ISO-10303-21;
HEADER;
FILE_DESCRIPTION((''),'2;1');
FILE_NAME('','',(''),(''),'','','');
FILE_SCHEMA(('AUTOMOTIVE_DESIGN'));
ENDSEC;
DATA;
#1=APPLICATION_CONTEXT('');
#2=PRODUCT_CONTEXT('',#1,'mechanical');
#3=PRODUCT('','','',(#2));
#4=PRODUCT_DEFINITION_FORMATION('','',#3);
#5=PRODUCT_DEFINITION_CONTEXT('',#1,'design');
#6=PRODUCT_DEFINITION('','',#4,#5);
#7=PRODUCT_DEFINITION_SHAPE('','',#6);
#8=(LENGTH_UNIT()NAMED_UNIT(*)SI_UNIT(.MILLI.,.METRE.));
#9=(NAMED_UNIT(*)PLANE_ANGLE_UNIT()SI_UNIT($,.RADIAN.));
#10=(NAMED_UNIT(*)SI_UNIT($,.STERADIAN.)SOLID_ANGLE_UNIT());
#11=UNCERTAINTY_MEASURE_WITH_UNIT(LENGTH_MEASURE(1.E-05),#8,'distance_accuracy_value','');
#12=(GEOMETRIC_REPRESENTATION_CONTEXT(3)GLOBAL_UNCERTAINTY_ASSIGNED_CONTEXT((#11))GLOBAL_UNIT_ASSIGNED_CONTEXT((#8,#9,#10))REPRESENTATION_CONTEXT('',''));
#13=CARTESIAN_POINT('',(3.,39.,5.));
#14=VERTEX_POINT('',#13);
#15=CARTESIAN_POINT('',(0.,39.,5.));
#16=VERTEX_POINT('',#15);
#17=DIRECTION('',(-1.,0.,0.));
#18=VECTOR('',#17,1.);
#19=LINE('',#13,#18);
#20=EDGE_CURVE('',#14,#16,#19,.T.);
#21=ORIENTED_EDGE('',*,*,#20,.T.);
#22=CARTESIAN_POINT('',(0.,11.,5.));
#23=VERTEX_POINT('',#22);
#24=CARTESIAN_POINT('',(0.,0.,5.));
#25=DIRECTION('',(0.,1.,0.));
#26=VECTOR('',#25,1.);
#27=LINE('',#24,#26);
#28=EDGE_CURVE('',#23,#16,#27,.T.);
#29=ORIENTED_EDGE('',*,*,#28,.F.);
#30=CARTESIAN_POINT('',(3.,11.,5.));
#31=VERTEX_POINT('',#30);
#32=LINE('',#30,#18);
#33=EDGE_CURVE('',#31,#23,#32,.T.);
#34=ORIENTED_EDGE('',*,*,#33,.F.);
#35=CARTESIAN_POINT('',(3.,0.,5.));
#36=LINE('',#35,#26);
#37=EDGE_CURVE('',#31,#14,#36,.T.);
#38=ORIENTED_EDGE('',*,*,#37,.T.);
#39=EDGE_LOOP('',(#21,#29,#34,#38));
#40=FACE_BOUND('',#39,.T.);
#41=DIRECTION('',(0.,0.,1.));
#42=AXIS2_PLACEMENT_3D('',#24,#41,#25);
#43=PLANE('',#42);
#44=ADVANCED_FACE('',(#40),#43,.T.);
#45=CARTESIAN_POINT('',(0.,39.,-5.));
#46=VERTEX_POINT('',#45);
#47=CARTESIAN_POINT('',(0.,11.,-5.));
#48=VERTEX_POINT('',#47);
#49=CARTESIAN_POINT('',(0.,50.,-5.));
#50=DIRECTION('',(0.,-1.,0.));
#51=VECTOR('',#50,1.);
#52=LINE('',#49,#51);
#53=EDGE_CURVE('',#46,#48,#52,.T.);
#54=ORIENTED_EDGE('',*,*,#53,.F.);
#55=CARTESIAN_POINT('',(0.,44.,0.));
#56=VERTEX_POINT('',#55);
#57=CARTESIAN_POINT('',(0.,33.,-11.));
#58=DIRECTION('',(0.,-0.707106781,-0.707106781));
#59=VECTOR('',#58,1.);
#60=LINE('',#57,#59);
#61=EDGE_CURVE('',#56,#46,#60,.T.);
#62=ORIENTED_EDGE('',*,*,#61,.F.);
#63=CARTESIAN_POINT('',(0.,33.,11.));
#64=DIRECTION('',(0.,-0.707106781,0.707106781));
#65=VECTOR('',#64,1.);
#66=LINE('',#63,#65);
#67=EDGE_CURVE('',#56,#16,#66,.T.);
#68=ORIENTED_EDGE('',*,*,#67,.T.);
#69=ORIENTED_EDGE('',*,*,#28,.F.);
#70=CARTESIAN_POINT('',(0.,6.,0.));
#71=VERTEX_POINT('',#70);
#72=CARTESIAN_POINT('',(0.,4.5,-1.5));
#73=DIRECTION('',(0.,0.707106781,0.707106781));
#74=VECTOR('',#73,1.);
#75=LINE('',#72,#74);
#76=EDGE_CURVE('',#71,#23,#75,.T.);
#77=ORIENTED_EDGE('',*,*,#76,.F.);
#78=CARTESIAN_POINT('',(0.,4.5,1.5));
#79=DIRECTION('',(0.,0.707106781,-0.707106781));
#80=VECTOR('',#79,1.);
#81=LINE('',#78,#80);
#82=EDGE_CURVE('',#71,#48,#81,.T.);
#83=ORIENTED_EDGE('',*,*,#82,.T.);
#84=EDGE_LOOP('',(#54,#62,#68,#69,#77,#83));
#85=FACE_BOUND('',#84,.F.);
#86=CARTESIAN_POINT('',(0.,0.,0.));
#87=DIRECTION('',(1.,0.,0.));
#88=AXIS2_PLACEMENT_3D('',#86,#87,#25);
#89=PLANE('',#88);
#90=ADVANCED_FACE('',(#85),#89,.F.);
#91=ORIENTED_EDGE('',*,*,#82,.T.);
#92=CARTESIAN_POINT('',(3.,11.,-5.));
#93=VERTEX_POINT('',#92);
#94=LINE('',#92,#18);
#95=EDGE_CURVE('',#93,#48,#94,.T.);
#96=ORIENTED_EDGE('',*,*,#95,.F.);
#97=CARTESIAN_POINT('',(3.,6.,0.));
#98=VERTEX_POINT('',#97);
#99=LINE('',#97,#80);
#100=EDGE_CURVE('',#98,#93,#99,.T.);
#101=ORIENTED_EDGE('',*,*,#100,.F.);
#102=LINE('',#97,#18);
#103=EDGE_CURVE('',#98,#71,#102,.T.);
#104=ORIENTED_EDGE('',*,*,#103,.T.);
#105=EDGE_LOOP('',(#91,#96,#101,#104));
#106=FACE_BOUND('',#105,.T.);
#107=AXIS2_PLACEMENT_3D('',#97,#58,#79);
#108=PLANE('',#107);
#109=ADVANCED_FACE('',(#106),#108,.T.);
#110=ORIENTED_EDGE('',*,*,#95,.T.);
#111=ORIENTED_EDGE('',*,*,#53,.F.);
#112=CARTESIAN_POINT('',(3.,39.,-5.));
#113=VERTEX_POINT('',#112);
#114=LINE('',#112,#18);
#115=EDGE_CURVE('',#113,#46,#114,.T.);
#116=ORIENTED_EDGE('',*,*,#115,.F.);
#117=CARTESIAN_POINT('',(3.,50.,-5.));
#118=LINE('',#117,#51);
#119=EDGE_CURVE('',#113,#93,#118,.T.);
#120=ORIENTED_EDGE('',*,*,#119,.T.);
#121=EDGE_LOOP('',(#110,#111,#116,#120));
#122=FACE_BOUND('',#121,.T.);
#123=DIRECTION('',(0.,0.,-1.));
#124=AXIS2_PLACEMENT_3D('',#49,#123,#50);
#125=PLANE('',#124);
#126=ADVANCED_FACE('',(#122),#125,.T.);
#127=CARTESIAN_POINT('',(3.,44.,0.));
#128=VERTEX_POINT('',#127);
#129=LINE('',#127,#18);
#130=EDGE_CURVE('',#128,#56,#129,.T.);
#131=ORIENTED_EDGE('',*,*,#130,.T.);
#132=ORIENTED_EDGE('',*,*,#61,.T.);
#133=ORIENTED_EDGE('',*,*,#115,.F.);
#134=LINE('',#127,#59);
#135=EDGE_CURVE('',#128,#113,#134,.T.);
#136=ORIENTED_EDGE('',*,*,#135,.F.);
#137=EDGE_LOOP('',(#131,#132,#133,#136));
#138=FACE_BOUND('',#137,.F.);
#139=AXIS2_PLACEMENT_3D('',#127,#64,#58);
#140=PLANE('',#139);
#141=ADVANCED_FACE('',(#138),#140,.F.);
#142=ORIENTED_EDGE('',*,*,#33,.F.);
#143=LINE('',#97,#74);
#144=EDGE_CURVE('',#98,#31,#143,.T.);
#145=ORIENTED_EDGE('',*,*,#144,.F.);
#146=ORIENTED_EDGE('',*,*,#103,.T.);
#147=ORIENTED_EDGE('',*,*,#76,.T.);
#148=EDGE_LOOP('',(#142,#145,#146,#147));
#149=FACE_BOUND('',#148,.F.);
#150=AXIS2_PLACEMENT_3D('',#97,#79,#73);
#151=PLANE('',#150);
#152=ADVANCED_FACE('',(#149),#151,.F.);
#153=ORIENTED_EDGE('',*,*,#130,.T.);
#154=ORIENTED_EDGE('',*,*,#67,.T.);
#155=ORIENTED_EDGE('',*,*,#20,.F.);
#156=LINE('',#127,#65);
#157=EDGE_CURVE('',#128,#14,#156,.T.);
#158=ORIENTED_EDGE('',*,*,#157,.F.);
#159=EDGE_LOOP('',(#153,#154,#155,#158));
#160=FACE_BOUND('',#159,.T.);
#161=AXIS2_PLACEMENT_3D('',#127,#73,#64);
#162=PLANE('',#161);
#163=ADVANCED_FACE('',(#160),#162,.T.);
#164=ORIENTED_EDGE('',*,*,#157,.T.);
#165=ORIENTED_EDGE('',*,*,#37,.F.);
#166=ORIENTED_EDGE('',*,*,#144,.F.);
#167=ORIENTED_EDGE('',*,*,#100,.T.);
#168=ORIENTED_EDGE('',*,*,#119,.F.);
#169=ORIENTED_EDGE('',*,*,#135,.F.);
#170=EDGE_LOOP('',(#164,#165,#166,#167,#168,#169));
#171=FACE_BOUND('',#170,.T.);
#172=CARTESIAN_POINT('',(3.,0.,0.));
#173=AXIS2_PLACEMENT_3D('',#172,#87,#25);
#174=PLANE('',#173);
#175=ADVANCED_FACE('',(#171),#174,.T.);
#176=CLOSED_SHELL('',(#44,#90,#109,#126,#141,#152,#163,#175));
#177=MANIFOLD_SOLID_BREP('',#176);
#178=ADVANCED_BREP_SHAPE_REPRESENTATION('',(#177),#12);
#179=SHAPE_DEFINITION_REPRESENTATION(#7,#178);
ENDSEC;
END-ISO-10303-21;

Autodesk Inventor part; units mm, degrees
ref_plane "YZ Plane" through (0, 0, 0) normal (1, 0, 0) x (0, 1, 0)
ref_plane "XZ Plane" through (0, 0, 0) normal (0, 1, 0) x (-1, 0, 0)
ref_plane "XY Plane" through (0, 0, 0) normal (0, 0, 1) x (1, 0, 0)
sketch "Sketch1" plane through (0, 0, 0) normal (1, 0, 0) x (0, 1, 0)
  circle A0 centre (0, 0) radius 3.1
  arc A1 (0, 5) -> (0, -5) centre (0, 0) ccw
  line L0 (0, 5) -> (50, 5)
  line L1 (50, -5) -> (0, -5)
  arc A2 (50, -5) -> (50, 5) centre (50, 0) ccw
  circle A3 centre (50, 0) radius 3.1
  dimension "d0" = 6.2
  dimension "d1" = 10
  dimension "d3" = 50
  dimension "d5" = 6.2
  dimension "d26" = 5
extrude "Extrusion1" add sketch "Sketch1" along normal blind 3
ref_plane "Work Plane1" through (-2, 0, 0) normal (1, 0, 0) x (0, 0, -1)
sketch "Sketch5" plane through (3, 0, 0) normal (1, 0, 0) x (0, 0, -1)
  line L0 (-5, 50) -> (-5, 0) projected
  arc A0 (-5, 0) -> (5, 0) centre (0, 0) ccw projected
  circle A1 centre (0, 50) radius 3.1 projected
  circle A2 centre (0, 0) radius 3.1 projected
  arc A3 (-5, 0) -> (5, 0) centre (0, 0) ccw projected
  line L1 (5, 0) -> (5, 50) projected
  arc A4 (5, 50) -> (-5, 50) centre (0, 50) ccw projected
  line L2 (-5, 50) -> (-5, 0) projected
  line L3 (0, -5) -> (0, 6)
  line L4 (0, 6) -> (5, 11)
  line L5 (5, 0) -> (5, 50) projected
  line L6 (0, 6) -> (-5, 11)
  line L7 (0, 55) -> (0, 44)
  line L8 (0, 44) -> (-5, 39)
  line L9 (0, 44) -> (5, 39)
  line L10 (0, 44) -> (7.0711, 44) construction
  dimension "d27" = 11
  dimension "d28" = 135
  dimension "d29" = 11
  dimension "d30" = 135
  dimension "d31" = 45
extrude "Extrusion5" cut sketch "Sketch5" against normal blind 10 contours A4 L7 A1 L8 L0 | A4 L1 L9 L7 A1 | L6 L3 A2 A0 L0 | L7 A1 | A1 L7 | L4 L1 A0 L3 A2 | L3 A2 | A2 L3
equation "\"d5\" = d0"
equation "\"d26\" = 0.5 * d1"
equation "\"d29\" = d27"
equation "\"d30\" = d28"
properties part number "ArmSpanMid_01"
